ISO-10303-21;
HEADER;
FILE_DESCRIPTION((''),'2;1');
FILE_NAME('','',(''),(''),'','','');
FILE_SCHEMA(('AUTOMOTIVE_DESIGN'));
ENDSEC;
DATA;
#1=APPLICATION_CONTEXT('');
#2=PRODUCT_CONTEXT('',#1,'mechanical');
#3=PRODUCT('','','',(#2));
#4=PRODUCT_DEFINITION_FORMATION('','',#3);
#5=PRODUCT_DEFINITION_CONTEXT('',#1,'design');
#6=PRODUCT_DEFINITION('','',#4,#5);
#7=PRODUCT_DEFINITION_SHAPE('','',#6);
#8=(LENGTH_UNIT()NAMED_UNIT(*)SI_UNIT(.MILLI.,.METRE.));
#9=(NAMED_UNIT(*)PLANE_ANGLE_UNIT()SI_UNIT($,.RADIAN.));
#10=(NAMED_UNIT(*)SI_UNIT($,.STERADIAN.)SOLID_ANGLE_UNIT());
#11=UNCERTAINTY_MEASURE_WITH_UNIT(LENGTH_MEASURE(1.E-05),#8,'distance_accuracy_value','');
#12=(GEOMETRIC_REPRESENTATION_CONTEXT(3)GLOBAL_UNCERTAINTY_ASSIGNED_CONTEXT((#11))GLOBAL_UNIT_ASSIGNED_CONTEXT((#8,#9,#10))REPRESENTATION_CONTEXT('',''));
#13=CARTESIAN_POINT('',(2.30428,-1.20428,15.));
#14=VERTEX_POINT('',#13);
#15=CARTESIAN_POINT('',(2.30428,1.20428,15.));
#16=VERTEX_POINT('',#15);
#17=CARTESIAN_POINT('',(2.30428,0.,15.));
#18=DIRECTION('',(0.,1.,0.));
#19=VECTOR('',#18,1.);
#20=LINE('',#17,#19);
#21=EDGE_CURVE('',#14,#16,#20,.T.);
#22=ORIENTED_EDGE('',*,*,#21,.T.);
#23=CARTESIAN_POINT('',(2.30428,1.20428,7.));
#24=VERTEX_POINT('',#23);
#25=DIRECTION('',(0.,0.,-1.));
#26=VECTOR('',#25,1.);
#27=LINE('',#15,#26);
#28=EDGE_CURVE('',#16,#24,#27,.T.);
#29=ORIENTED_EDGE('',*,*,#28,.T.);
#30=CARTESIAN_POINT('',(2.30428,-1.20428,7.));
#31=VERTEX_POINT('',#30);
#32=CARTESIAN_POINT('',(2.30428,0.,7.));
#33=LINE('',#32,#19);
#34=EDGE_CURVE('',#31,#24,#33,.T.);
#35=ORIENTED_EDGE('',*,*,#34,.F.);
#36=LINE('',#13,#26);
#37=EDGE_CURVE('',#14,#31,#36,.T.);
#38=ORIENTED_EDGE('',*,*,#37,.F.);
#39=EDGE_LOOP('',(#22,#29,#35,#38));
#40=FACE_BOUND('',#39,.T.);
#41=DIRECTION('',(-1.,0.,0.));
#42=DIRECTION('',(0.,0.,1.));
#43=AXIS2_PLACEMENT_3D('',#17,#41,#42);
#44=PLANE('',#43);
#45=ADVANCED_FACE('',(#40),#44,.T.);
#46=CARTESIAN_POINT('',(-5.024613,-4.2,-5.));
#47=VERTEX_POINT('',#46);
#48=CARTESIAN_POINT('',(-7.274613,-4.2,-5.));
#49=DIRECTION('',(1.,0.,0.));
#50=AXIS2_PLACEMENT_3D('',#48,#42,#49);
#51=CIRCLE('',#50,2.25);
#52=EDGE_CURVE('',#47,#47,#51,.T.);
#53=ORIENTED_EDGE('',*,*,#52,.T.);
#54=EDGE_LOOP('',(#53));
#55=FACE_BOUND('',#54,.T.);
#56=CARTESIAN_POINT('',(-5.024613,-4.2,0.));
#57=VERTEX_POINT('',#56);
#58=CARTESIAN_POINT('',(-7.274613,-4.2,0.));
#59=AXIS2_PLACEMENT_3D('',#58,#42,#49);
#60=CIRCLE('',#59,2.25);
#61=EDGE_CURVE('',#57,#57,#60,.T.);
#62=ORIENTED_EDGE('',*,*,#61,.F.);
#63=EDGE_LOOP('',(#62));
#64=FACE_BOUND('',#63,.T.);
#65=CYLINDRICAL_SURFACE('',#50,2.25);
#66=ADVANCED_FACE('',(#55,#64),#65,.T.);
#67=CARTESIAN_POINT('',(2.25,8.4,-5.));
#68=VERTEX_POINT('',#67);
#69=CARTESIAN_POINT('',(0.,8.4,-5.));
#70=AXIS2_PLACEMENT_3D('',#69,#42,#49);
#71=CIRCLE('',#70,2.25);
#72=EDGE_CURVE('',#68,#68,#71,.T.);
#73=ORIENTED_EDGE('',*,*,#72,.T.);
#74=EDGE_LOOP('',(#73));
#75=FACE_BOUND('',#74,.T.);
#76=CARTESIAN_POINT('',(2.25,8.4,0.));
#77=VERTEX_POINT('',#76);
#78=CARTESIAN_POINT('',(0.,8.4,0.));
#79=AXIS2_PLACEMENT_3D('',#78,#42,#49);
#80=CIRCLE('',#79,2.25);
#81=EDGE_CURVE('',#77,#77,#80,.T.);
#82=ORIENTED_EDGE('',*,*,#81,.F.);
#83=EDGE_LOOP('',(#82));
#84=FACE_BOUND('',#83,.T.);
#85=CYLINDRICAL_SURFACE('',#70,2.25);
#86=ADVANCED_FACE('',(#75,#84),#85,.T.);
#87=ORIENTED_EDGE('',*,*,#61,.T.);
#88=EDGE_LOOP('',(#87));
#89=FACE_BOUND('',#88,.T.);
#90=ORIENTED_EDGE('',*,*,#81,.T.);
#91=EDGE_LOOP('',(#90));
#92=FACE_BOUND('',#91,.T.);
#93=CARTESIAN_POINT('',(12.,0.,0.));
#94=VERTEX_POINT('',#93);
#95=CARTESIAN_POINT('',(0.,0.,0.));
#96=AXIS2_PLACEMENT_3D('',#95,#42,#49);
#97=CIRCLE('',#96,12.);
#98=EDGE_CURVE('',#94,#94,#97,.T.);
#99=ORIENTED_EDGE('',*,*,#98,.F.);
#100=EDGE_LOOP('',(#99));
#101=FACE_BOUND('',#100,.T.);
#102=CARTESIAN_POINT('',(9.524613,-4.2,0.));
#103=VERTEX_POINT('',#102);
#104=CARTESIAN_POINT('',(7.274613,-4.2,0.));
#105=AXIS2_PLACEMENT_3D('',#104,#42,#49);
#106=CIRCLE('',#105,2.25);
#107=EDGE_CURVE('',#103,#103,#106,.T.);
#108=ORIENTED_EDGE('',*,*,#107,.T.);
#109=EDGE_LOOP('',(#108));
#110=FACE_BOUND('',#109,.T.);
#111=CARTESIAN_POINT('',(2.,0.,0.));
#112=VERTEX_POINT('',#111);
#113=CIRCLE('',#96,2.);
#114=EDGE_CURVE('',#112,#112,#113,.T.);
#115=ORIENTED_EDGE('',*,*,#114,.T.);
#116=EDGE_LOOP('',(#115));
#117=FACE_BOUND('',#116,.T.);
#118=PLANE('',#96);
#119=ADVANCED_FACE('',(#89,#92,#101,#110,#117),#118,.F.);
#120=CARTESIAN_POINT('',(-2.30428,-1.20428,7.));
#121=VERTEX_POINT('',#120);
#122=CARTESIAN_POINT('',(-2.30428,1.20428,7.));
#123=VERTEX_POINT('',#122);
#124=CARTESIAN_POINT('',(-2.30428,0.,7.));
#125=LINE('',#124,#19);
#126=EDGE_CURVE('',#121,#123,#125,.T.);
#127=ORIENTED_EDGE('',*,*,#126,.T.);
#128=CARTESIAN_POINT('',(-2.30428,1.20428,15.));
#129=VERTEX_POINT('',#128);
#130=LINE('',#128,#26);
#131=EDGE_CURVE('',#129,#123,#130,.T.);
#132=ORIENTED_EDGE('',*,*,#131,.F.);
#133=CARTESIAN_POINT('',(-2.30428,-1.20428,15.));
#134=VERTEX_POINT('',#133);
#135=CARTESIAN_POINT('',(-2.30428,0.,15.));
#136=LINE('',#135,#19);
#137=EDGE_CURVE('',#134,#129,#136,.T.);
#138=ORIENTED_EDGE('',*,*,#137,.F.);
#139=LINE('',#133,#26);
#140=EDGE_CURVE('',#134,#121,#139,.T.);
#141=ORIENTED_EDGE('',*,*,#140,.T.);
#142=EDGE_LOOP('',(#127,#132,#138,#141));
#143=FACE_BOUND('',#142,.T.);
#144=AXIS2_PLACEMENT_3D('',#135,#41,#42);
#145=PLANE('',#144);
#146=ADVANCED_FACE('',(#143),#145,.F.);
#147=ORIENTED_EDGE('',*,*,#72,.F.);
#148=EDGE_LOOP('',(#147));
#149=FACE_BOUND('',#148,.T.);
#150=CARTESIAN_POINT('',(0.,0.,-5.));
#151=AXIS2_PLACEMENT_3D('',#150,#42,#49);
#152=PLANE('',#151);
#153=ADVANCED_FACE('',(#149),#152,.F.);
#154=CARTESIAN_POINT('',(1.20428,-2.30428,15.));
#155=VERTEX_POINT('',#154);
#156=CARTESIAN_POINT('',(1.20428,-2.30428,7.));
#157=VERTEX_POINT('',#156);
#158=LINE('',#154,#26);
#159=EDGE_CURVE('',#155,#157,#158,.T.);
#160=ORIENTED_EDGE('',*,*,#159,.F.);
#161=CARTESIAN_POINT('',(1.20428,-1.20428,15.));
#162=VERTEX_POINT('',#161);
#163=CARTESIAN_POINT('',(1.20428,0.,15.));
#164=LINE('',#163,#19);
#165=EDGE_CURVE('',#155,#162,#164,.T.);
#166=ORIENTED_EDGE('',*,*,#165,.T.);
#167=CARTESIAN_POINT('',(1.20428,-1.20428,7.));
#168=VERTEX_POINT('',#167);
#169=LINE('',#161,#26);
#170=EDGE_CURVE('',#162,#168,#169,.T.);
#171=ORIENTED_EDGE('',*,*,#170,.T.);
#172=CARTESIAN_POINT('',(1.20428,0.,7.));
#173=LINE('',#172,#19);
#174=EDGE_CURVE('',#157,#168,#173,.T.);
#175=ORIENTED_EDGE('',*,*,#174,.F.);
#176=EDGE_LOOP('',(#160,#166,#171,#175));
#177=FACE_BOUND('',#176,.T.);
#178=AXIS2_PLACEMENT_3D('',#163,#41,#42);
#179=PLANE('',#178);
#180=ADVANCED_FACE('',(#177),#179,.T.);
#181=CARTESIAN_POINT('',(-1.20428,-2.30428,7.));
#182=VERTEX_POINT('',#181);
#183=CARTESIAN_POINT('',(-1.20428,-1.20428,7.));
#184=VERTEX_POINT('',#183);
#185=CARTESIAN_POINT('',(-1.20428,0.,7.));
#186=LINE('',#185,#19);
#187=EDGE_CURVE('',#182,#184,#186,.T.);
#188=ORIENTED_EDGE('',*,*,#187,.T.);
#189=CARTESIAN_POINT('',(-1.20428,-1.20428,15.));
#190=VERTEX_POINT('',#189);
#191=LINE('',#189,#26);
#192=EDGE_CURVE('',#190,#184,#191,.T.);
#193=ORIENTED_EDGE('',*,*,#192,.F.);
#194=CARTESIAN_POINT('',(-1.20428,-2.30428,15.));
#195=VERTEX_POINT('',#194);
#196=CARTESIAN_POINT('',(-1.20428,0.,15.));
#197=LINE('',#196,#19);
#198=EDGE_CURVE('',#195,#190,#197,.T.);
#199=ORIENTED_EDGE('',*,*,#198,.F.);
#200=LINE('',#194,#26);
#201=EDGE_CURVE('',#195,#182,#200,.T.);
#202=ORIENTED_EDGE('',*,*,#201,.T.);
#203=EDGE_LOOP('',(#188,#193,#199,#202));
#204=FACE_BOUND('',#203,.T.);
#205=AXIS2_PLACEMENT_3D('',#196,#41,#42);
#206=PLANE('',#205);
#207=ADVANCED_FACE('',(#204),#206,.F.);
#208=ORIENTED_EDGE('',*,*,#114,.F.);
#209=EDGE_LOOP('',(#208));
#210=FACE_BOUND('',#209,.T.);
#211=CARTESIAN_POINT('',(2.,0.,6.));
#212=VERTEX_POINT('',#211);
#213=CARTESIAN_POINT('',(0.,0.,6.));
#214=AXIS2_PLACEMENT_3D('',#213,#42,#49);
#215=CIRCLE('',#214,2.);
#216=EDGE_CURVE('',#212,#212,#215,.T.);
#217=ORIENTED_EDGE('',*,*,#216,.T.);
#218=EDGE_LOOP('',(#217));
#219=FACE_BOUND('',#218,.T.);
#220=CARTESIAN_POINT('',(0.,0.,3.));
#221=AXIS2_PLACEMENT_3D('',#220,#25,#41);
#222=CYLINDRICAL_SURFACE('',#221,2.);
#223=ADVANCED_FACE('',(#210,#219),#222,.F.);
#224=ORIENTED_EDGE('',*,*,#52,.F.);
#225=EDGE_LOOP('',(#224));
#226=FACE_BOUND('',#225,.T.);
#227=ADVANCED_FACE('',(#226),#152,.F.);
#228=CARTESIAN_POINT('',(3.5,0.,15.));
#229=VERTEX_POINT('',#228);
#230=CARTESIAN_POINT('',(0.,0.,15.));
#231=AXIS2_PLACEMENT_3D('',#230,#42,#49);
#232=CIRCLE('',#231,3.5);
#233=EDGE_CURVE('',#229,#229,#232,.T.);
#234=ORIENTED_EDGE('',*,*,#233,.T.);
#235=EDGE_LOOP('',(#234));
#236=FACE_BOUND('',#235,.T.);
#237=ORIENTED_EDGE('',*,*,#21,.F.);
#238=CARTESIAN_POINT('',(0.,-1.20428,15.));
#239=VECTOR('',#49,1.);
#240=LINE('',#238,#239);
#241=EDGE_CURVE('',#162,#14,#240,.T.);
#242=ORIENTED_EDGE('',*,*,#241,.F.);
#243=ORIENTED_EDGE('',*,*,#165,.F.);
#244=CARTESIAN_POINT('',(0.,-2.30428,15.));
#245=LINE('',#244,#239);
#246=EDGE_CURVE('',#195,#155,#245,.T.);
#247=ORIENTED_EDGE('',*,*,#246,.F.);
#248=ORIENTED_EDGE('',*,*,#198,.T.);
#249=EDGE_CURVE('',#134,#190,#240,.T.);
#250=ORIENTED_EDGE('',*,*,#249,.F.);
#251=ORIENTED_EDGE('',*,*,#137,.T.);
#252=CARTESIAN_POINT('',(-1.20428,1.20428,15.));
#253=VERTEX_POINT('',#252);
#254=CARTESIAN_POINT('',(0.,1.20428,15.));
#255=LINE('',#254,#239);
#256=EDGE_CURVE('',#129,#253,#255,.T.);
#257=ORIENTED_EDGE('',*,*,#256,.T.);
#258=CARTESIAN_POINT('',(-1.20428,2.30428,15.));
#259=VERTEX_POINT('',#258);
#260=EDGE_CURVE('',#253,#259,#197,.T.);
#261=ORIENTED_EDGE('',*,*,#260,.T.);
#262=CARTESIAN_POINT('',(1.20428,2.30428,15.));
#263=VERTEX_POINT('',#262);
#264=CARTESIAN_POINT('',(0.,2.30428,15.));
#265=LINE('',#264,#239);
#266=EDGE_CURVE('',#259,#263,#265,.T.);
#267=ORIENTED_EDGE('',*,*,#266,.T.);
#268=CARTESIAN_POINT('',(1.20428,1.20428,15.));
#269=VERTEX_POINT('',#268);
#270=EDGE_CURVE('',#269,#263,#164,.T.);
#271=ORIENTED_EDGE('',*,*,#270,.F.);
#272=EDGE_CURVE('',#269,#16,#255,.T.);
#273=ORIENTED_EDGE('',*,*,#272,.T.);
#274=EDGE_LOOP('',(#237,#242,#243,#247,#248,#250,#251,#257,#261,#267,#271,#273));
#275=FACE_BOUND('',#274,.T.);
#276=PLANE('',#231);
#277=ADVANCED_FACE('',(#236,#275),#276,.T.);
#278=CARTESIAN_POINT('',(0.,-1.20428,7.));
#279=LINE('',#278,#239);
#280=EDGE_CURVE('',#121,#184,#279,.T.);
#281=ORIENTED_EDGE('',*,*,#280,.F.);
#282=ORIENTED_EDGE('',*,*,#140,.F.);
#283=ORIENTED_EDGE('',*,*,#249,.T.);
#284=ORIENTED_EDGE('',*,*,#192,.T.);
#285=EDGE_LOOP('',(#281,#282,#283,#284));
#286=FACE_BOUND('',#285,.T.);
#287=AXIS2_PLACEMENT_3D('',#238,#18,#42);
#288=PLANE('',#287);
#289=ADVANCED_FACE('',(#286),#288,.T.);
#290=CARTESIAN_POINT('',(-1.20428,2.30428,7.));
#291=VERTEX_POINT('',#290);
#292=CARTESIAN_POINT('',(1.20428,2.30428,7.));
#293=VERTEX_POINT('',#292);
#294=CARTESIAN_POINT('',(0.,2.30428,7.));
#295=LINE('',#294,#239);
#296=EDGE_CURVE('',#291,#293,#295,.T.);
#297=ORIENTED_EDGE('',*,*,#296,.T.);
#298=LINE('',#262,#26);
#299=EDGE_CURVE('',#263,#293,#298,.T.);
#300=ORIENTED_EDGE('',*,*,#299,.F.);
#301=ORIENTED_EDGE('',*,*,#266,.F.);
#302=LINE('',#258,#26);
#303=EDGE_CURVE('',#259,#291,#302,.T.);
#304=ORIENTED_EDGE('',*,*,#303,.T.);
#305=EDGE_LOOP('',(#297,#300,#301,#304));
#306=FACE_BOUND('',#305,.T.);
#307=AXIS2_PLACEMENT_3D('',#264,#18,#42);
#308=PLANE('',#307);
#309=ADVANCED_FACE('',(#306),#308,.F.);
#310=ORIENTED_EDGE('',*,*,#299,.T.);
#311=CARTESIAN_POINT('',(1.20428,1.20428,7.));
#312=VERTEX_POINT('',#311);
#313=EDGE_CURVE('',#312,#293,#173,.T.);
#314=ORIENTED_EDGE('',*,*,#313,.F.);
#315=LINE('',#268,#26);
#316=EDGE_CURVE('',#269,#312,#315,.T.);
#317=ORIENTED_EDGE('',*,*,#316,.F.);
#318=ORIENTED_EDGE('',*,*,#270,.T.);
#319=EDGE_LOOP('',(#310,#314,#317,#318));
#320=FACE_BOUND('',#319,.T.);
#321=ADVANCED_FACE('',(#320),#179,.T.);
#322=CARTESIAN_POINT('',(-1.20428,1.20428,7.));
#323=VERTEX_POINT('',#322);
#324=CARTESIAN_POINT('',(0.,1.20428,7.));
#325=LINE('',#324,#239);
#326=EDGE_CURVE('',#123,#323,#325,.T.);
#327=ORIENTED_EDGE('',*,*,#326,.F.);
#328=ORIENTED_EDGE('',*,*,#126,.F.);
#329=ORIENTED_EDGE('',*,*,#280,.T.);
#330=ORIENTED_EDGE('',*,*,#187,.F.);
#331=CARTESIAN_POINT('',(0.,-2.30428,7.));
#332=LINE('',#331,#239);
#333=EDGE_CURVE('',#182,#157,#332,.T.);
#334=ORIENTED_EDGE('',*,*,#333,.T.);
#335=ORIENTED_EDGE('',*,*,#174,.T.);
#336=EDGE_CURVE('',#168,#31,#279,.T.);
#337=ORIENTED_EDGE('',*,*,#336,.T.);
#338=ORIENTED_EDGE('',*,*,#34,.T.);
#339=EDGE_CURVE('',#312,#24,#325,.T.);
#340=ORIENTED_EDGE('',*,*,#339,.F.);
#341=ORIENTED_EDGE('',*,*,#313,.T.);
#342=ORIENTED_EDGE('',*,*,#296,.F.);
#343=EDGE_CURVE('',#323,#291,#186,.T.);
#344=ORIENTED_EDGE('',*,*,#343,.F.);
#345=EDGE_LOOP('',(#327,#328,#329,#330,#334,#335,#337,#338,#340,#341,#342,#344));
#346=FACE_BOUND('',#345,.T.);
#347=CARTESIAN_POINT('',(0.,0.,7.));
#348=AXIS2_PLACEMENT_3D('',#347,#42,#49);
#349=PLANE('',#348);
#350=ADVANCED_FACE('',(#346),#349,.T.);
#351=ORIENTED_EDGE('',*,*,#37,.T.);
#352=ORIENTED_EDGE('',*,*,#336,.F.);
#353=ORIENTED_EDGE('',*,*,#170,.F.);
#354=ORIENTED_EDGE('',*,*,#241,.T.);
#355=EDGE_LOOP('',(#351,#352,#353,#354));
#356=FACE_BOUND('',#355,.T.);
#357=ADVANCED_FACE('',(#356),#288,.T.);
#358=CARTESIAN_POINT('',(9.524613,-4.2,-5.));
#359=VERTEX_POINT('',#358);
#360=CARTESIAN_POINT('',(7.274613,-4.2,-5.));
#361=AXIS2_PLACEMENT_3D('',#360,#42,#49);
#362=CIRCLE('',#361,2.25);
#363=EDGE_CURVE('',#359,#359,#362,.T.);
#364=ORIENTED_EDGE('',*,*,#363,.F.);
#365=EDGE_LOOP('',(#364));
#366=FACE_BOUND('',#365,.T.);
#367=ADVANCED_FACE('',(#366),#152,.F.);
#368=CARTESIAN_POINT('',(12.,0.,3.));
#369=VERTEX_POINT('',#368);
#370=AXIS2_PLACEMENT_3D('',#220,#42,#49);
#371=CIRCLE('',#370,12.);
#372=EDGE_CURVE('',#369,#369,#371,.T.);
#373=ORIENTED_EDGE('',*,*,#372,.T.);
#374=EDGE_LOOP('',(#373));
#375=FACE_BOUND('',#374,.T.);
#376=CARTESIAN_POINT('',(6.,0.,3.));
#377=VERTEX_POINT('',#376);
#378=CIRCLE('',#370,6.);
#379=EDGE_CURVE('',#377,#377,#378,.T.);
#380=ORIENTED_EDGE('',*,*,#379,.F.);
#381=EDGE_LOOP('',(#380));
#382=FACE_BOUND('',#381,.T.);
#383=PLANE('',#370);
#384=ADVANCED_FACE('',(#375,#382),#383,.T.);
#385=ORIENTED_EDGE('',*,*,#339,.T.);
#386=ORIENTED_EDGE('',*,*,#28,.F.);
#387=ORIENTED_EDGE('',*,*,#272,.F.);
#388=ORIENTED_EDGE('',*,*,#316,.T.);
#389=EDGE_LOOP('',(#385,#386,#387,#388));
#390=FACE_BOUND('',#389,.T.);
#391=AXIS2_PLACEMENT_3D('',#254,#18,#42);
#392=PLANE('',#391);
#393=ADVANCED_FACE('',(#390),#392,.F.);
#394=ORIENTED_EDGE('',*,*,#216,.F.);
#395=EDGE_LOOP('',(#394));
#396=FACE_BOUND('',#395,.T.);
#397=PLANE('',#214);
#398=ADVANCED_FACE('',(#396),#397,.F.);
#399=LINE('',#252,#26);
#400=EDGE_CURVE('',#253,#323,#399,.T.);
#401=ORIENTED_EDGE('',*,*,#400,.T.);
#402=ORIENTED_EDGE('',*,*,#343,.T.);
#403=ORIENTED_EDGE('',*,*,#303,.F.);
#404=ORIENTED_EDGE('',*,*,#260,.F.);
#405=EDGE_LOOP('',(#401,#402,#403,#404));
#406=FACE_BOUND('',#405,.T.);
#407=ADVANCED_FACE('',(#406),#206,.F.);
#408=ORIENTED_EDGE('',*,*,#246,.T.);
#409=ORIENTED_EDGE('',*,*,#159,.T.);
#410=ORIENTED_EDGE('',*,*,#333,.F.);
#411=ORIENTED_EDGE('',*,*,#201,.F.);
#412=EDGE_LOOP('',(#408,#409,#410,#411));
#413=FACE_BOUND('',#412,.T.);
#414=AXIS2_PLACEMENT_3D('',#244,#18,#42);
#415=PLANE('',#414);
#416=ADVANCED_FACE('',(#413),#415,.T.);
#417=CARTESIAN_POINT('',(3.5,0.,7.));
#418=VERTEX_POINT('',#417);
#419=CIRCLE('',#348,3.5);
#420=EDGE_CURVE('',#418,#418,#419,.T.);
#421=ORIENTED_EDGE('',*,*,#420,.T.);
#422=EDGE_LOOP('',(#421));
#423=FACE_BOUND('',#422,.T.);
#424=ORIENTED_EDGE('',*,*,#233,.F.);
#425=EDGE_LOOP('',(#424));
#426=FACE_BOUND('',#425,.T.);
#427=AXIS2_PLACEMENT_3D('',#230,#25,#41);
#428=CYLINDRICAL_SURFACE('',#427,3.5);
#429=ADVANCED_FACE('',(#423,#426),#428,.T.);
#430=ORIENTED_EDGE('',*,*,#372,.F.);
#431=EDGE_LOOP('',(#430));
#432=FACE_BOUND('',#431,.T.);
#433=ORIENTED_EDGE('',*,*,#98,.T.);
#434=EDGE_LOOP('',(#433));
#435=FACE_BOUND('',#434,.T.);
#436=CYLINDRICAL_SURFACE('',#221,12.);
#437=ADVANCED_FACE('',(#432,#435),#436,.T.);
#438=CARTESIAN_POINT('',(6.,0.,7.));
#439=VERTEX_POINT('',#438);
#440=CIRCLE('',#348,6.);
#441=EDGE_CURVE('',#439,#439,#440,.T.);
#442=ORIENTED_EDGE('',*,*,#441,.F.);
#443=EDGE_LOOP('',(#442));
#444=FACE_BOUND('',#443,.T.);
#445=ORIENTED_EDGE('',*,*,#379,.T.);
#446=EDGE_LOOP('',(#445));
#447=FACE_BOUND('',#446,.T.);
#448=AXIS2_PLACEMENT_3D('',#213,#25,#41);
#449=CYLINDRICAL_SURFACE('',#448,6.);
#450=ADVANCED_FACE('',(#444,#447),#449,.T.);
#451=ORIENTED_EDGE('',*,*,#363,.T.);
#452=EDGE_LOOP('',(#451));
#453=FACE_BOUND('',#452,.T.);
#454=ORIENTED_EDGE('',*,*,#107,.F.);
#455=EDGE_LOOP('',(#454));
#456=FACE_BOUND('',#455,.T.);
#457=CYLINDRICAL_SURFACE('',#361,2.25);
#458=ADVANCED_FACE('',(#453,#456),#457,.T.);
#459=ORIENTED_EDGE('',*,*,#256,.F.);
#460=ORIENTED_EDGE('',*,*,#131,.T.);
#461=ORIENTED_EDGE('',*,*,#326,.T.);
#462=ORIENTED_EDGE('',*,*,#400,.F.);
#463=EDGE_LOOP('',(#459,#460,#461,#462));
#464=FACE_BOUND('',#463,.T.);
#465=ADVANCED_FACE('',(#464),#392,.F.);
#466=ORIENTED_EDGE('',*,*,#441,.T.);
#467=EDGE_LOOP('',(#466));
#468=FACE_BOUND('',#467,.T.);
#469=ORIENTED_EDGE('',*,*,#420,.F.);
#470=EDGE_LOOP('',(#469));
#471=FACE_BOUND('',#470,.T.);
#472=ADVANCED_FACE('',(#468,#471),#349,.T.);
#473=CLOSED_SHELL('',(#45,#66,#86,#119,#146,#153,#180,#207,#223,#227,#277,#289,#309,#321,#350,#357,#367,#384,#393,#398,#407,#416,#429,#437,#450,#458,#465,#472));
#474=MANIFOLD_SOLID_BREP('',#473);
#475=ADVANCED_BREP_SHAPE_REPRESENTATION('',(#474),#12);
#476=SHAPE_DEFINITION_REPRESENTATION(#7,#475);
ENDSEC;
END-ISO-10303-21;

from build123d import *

# Parameters (mm, degrees)
SKETCH_1_R      = 12
SKETCH_1_R_2    = 2
EXTRUDE_1_DEPTH = 3
SKETCH_1_3_R    = 2.25
EXTRUDE_2_DEPTH = 5
EXTRUDE_START   = 3
SKETCH_1_4_R    = 6
SKETCH_1_4_R_2  = 2
EXTRUDE_3_DEPTH = 3
EXTRUDE_START_2 = 6
SKETCH_1_5_R    = 6
EXTRUDE_5_DEPTH = 1
SKETCH_2_R      = 3.5
EXTRUDE_4_DEPTH = 8


with BuildPart() as part:
    # 草图1 → 凸台-拉伸1 (new body)
    with BuildSketch(Plane.XY):
        Circle(SKETCH_1_R)
        Circle(SKETCH_1_R_2, mode=Mode.SUBTRACT)
    extrude(amount=EXTRUDE_1_DEPTH)

    # 草图1<3> → 凸台-拉伸2 (add)
    with BuildSketch(Plane.XY):
        with Locations((0, 8.4)):
            Circle(SKETCH_1_3_R)
        with Locations((7.274613392, -4.2)):
            Circle(SKETCH_1_3_R)
        with Locations((-7.274613392, -4.2)):
            Circle(SKETCH_1_3_R)
    extrude(amount=-EXTRUDE_2_DEPTH)

    # 草图1<4> → 凸台-拉伸3 (add)
    with BuildSketch(Plane.XY.offset(EXTRUDE_START)):
        Circle(SKETCH_1_4_R)
        Circle(SKETCH_1_4_R_2, mode=Mode.SUBTRACT)
    extrude(amount=EXTRUDE_3_DEPTH)

    # 草图1<5> → 凸台-拉伸5 (add)
    with BuildSketch(Plane.XY.offset(EXTRUDE_START_2)):
        Circle(SKETCH_1_5_R)
    extrude(amount=EXTRUDE_5_DEPTH)

    # 草图2 → 凸台-拉伸4 (add)
    with BuildSketch(Plane.XY.offset(7)):
        Circle(SKETCH_2_R)
        Polygon((-1.204280479, -1.204280479), (-2.304280479, -1.204280479), (-2.304280479, 1.204280479), (-1.204280479, 1.204280479), (-1.204280479, 2.304280479), (1.204280479, 2.304280479), (1.204280479, 1.204280479), (2.304280479, 1.204280479), (2.304280479, -1.204280479), (1.204280479, -1.204280479), (1.204280479, -2.304280479), (-1.204280479, -2.304280479), align=None, mode=Mode.SUBTRACT)
    extrude(amount=EXTRUDE_4_DEPTH)


solid = part.part
